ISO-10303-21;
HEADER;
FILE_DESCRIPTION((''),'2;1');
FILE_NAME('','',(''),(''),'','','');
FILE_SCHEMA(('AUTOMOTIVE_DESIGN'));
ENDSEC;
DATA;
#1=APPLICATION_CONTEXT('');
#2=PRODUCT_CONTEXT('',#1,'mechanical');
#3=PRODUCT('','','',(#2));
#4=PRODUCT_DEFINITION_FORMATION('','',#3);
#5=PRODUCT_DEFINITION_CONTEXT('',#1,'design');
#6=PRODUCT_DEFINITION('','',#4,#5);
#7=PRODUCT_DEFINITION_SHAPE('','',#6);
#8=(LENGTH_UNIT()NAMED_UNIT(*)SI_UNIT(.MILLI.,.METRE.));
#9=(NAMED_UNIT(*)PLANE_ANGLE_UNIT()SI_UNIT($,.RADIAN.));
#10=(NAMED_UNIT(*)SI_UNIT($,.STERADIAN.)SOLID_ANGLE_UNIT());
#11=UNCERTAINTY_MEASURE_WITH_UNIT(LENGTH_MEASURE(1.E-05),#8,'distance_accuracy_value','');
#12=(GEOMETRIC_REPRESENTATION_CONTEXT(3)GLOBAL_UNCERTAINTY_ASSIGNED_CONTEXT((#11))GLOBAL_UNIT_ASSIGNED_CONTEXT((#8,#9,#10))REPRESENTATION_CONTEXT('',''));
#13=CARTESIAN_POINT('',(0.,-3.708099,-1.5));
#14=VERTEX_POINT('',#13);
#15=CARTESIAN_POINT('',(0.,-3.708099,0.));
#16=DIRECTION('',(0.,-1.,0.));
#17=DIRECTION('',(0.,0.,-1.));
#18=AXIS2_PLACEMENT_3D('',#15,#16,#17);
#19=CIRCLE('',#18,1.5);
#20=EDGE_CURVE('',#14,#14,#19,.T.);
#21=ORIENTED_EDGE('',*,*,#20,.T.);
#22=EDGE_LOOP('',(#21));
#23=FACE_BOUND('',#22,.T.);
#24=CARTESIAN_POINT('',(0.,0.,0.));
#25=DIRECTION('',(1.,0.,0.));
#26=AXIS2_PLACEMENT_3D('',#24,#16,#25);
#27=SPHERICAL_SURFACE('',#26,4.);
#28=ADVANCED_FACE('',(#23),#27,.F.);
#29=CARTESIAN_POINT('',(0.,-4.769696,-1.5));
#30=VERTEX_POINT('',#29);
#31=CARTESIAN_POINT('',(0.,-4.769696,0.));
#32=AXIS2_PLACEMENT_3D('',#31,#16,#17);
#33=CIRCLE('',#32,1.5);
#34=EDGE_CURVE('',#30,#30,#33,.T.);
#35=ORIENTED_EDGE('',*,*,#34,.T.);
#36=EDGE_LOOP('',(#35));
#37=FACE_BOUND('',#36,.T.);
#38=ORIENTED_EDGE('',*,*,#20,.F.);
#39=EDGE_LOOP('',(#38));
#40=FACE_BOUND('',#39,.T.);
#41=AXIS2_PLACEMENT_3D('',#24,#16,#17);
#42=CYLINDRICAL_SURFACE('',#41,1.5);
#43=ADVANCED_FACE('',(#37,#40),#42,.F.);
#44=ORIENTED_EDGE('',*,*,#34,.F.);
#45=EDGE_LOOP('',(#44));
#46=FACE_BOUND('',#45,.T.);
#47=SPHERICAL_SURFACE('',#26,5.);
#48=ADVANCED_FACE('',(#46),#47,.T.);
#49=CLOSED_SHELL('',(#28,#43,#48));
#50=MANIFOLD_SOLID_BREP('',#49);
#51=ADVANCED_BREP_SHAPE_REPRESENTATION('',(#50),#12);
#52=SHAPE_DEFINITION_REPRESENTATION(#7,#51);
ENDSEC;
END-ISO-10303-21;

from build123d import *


with BuildPart() as part:
    # Esquisse1 → Révolution4 (revolve)
    with BuildSketch(Plane.XY):
        with BuildLine():
            Line((0, 4), (0, 5))
            ThreePointArc((0, 5), (4.942088629, 0.758788496), (1.5, -4.769696007))
            Line((1.5, -4.769696007), (1.5, -3.708099244))
            ThreePointArc((1.5, -3.708099244), (3.92634671, 0.76406905), (0, 4))
        make_face()
    revolve(axis=Axis((0, 0, 0), (0, 1, 0)))


solid = part.part
